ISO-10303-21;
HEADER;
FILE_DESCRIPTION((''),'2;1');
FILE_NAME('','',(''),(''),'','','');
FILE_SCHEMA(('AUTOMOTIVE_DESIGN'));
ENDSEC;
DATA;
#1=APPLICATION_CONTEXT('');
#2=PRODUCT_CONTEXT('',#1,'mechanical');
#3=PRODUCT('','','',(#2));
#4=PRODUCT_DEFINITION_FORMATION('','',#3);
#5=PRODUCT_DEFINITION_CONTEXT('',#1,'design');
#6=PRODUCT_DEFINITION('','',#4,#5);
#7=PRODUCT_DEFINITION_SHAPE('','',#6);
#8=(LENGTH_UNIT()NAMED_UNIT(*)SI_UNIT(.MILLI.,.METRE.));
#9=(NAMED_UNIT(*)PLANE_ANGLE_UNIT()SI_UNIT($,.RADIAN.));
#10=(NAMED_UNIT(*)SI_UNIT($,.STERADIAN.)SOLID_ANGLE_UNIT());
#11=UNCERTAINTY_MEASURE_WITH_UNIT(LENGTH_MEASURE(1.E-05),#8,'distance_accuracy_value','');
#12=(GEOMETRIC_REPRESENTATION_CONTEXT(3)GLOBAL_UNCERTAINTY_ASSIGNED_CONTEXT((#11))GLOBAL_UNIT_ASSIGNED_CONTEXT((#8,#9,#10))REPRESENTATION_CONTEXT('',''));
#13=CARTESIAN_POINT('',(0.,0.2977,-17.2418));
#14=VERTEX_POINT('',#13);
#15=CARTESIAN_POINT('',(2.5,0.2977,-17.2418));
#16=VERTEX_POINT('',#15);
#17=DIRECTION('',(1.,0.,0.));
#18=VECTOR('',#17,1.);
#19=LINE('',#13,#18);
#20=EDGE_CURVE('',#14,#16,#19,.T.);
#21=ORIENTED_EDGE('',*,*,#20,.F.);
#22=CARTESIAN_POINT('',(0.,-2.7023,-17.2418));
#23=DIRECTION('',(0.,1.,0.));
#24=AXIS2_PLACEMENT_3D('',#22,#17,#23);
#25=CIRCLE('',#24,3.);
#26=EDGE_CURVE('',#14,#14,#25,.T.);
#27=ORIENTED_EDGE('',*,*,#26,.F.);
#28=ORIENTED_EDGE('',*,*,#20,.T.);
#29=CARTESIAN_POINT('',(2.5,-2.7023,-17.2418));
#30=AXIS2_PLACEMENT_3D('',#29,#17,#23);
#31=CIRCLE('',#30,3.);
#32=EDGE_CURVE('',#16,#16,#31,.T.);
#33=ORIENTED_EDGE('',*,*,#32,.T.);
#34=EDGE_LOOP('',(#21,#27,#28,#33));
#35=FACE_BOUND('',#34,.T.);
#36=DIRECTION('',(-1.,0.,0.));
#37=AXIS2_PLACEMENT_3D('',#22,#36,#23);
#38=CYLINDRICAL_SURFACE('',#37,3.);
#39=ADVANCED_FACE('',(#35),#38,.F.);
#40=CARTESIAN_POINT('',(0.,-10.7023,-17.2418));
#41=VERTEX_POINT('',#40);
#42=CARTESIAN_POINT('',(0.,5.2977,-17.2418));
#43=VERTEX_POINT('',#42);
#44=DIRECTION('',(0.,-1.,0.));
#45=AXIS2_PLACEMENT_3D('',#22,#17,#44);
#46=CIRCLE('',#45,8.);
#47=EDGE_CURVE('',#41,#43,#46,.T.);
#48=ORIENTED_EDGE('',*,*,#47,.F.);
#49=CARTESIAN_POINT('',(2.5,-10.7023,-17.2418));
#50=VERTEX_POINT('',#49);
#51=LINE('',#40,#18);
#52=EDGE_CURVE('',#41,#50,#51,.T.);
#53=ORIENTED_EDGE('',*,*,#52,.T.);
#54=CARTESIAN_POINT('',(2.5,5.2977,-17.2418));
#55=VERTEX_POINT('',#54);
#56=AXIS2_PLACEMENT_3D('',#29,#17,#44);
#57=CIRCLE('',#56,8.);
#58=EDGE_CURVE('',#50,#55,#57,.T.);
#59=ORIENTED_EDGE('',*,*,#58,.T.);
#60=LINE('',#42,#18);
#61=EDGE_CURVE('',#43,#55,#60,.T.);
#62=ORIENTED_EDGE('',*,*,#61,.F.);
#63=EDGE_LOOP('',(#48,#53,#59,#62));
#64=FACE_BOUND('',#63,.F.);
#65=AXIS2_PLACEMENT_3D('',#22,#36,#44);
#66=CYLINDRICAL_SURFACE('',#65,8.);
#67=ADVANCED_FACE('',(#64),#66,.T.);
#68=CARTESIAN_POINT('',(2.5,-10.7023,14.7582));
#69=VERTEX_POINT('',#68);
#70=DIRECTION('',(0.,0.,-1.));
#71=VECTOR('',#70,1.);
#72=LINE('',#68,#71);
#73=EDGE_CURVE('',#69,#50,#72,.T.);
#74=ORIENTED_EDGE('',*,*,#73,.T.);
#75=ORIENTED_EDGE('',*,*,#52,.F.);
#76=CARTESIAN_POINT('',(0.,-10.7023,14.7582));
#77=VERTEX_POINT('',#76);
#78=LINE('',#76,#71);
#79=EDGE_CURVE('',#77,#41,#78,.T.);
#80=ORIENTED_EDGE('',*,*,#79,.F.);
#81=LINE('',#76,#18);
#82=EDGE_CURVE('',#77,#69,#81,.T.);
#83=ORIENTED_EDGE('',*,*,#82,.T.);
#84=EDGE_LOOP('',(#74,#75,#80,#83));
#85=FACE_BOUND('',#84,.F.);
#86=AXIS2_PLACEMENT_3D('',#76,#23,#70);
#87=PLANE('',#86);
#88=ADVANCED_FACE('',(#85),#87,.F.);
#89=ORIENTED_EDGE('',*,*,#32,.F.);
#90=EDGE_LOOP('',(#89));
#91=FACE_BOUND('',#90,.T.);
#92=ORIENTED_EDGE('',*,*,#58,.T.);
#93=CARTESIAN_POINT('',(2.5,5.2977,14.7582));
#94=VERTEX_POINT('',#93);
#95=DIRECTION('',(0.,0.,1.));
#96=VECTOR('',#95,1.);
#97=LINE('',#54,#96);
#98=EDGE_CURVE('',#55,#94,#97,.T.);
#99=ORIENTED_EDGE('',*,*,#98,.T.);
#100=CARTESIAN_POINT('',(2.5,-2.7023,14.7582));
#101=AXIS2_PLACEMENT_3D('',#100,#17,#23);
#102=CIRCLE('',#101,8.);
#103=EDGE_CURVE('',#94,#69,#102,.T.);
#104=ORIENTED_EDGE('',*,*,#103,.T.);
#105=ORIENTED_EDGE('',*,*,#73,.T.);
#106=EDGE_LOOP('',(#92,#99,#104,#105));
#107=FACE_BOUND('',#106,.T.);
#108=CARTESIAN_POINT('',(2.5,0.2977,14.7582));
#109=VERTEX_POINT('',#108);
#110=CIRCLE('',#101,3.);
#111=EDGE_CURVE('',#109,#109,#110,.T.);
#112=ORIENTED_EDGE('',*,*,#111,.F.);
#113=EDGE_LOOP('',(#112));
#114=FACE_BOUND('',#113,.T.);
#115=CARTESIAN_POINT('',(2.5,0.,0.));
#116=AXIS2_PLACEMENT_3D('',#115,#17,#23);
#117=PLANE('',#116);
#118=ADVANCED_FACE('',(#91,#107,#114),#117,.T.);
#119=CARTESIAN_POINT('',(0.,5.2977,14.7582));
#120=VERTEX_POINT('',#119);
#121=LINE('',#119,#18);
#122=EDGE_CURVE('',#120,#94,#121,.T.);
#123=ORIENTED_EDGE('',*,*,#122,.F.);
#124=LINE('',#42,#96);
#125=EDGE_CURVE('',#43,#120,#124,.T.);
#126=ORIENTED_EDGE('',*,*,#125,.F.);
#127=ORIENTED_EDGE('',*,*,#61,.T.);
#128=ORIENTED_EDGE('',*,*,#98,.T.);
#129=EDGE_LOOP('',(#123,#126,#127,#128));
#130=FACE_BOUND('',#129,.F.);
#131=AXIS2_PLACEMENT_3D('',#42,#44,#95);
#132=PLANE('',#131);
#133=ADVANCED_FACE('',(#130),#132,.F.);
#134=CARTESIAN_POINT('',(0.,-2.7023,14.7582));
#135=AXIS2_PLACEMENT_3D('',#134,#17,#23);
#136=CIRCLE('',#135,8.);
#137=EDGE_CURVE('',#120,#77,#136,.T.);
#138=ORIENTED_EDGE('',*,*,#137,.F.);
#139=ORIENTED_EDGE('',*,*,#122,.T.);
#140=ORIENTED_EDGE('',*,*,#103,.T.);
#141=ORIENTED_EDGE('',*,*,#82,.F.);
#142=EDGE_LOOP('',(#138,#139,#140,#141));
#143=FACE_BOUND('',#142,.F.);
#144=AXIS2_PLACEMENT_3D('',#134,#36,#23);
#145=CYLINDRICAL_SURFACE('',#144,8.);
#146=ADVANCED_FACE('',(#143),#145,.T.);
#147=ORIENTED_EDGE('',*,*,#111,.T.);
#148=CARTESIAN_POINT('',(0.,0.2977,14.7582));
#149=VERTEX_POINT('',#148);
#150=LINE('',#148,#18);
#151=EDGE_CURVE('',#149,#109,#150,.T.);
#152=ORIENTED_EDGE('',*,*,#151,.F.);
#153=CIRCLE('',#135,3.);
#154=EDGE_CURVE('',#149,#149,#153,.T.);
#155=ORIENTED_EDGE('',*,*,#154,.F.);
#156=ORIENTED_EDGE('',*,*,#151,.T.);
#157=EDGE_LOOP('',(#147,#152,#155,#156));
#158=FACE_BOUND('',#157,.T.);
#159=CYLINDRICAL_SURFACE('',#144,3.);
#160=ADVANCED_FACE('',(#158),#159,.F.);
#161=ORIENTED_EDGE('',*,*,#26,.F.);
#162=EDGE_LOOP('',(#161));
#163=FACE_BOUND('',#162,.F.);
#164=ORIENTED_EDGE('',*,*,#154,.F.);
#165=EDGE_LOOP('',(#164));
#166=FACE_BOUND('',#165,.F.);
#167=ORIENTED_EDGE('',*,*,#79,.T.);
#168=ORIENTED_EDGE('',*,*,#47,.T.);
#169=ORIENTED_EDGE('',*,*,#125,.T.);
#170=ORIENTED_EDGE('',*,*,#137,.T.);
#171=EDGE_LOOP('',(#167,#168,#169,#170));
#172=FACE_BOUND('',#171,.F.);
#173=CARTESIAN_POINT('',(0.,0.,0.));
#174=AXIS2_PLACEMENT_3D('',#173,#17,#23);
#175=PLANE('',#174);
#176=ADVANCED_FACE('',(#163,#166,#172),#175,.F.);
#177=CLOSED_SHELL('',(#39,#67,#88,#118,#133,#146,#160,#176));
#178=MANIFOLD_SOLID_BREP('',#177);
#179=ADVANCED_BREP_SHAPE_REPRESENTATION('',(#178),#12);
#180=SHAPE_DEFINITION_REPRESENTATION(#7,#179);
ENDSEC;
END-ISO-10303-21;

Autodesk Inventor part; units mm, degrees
ref_plane "YZ Plane" through (0, 0, 0) normal (1, 0, 0) x (0, 1, 0)
ref_plane "XZ Plane" through (0, 0, 0) normal (0, 1, 0) x (-1, 0, 0)
ref_plane "XY Plane" through (0, 0, 0) normal (0, 0, 1) x (1, 0, 0)
sketch "Sketch1" plane through (0, 0, 0) normal (1, 0, 0) x (0, 1, 0)
  line L0 (5.2977, -17.2418) -> (5.2977, 14.7582)
  arc A0 (5.2977, 14.7582) -> (-10.7023, 14.7582) centre (-2.7023, 14.7582) ccw
  line L1 (-10.7023, 14.7582) -> (-10.7023, -17.2418)
  arc A1 (-10.7023, -17.2418) -> (5.2977, -17.2418) centre (-2.7023, -17.2418) ccw
  circle A2 centre (-2.7023, 14.7582) radius 3
  circle A3 centre (-2.7023, -17.2418) radius 3
  point P0 (0, 0)
  dimension "d0" = 32
  dimension "d1" = 8
  dimension "d2" = 6
extrude "Extrusion1" add sketch "Sketch1" along normal blind 2.5
properties material "Iron, Gray"
